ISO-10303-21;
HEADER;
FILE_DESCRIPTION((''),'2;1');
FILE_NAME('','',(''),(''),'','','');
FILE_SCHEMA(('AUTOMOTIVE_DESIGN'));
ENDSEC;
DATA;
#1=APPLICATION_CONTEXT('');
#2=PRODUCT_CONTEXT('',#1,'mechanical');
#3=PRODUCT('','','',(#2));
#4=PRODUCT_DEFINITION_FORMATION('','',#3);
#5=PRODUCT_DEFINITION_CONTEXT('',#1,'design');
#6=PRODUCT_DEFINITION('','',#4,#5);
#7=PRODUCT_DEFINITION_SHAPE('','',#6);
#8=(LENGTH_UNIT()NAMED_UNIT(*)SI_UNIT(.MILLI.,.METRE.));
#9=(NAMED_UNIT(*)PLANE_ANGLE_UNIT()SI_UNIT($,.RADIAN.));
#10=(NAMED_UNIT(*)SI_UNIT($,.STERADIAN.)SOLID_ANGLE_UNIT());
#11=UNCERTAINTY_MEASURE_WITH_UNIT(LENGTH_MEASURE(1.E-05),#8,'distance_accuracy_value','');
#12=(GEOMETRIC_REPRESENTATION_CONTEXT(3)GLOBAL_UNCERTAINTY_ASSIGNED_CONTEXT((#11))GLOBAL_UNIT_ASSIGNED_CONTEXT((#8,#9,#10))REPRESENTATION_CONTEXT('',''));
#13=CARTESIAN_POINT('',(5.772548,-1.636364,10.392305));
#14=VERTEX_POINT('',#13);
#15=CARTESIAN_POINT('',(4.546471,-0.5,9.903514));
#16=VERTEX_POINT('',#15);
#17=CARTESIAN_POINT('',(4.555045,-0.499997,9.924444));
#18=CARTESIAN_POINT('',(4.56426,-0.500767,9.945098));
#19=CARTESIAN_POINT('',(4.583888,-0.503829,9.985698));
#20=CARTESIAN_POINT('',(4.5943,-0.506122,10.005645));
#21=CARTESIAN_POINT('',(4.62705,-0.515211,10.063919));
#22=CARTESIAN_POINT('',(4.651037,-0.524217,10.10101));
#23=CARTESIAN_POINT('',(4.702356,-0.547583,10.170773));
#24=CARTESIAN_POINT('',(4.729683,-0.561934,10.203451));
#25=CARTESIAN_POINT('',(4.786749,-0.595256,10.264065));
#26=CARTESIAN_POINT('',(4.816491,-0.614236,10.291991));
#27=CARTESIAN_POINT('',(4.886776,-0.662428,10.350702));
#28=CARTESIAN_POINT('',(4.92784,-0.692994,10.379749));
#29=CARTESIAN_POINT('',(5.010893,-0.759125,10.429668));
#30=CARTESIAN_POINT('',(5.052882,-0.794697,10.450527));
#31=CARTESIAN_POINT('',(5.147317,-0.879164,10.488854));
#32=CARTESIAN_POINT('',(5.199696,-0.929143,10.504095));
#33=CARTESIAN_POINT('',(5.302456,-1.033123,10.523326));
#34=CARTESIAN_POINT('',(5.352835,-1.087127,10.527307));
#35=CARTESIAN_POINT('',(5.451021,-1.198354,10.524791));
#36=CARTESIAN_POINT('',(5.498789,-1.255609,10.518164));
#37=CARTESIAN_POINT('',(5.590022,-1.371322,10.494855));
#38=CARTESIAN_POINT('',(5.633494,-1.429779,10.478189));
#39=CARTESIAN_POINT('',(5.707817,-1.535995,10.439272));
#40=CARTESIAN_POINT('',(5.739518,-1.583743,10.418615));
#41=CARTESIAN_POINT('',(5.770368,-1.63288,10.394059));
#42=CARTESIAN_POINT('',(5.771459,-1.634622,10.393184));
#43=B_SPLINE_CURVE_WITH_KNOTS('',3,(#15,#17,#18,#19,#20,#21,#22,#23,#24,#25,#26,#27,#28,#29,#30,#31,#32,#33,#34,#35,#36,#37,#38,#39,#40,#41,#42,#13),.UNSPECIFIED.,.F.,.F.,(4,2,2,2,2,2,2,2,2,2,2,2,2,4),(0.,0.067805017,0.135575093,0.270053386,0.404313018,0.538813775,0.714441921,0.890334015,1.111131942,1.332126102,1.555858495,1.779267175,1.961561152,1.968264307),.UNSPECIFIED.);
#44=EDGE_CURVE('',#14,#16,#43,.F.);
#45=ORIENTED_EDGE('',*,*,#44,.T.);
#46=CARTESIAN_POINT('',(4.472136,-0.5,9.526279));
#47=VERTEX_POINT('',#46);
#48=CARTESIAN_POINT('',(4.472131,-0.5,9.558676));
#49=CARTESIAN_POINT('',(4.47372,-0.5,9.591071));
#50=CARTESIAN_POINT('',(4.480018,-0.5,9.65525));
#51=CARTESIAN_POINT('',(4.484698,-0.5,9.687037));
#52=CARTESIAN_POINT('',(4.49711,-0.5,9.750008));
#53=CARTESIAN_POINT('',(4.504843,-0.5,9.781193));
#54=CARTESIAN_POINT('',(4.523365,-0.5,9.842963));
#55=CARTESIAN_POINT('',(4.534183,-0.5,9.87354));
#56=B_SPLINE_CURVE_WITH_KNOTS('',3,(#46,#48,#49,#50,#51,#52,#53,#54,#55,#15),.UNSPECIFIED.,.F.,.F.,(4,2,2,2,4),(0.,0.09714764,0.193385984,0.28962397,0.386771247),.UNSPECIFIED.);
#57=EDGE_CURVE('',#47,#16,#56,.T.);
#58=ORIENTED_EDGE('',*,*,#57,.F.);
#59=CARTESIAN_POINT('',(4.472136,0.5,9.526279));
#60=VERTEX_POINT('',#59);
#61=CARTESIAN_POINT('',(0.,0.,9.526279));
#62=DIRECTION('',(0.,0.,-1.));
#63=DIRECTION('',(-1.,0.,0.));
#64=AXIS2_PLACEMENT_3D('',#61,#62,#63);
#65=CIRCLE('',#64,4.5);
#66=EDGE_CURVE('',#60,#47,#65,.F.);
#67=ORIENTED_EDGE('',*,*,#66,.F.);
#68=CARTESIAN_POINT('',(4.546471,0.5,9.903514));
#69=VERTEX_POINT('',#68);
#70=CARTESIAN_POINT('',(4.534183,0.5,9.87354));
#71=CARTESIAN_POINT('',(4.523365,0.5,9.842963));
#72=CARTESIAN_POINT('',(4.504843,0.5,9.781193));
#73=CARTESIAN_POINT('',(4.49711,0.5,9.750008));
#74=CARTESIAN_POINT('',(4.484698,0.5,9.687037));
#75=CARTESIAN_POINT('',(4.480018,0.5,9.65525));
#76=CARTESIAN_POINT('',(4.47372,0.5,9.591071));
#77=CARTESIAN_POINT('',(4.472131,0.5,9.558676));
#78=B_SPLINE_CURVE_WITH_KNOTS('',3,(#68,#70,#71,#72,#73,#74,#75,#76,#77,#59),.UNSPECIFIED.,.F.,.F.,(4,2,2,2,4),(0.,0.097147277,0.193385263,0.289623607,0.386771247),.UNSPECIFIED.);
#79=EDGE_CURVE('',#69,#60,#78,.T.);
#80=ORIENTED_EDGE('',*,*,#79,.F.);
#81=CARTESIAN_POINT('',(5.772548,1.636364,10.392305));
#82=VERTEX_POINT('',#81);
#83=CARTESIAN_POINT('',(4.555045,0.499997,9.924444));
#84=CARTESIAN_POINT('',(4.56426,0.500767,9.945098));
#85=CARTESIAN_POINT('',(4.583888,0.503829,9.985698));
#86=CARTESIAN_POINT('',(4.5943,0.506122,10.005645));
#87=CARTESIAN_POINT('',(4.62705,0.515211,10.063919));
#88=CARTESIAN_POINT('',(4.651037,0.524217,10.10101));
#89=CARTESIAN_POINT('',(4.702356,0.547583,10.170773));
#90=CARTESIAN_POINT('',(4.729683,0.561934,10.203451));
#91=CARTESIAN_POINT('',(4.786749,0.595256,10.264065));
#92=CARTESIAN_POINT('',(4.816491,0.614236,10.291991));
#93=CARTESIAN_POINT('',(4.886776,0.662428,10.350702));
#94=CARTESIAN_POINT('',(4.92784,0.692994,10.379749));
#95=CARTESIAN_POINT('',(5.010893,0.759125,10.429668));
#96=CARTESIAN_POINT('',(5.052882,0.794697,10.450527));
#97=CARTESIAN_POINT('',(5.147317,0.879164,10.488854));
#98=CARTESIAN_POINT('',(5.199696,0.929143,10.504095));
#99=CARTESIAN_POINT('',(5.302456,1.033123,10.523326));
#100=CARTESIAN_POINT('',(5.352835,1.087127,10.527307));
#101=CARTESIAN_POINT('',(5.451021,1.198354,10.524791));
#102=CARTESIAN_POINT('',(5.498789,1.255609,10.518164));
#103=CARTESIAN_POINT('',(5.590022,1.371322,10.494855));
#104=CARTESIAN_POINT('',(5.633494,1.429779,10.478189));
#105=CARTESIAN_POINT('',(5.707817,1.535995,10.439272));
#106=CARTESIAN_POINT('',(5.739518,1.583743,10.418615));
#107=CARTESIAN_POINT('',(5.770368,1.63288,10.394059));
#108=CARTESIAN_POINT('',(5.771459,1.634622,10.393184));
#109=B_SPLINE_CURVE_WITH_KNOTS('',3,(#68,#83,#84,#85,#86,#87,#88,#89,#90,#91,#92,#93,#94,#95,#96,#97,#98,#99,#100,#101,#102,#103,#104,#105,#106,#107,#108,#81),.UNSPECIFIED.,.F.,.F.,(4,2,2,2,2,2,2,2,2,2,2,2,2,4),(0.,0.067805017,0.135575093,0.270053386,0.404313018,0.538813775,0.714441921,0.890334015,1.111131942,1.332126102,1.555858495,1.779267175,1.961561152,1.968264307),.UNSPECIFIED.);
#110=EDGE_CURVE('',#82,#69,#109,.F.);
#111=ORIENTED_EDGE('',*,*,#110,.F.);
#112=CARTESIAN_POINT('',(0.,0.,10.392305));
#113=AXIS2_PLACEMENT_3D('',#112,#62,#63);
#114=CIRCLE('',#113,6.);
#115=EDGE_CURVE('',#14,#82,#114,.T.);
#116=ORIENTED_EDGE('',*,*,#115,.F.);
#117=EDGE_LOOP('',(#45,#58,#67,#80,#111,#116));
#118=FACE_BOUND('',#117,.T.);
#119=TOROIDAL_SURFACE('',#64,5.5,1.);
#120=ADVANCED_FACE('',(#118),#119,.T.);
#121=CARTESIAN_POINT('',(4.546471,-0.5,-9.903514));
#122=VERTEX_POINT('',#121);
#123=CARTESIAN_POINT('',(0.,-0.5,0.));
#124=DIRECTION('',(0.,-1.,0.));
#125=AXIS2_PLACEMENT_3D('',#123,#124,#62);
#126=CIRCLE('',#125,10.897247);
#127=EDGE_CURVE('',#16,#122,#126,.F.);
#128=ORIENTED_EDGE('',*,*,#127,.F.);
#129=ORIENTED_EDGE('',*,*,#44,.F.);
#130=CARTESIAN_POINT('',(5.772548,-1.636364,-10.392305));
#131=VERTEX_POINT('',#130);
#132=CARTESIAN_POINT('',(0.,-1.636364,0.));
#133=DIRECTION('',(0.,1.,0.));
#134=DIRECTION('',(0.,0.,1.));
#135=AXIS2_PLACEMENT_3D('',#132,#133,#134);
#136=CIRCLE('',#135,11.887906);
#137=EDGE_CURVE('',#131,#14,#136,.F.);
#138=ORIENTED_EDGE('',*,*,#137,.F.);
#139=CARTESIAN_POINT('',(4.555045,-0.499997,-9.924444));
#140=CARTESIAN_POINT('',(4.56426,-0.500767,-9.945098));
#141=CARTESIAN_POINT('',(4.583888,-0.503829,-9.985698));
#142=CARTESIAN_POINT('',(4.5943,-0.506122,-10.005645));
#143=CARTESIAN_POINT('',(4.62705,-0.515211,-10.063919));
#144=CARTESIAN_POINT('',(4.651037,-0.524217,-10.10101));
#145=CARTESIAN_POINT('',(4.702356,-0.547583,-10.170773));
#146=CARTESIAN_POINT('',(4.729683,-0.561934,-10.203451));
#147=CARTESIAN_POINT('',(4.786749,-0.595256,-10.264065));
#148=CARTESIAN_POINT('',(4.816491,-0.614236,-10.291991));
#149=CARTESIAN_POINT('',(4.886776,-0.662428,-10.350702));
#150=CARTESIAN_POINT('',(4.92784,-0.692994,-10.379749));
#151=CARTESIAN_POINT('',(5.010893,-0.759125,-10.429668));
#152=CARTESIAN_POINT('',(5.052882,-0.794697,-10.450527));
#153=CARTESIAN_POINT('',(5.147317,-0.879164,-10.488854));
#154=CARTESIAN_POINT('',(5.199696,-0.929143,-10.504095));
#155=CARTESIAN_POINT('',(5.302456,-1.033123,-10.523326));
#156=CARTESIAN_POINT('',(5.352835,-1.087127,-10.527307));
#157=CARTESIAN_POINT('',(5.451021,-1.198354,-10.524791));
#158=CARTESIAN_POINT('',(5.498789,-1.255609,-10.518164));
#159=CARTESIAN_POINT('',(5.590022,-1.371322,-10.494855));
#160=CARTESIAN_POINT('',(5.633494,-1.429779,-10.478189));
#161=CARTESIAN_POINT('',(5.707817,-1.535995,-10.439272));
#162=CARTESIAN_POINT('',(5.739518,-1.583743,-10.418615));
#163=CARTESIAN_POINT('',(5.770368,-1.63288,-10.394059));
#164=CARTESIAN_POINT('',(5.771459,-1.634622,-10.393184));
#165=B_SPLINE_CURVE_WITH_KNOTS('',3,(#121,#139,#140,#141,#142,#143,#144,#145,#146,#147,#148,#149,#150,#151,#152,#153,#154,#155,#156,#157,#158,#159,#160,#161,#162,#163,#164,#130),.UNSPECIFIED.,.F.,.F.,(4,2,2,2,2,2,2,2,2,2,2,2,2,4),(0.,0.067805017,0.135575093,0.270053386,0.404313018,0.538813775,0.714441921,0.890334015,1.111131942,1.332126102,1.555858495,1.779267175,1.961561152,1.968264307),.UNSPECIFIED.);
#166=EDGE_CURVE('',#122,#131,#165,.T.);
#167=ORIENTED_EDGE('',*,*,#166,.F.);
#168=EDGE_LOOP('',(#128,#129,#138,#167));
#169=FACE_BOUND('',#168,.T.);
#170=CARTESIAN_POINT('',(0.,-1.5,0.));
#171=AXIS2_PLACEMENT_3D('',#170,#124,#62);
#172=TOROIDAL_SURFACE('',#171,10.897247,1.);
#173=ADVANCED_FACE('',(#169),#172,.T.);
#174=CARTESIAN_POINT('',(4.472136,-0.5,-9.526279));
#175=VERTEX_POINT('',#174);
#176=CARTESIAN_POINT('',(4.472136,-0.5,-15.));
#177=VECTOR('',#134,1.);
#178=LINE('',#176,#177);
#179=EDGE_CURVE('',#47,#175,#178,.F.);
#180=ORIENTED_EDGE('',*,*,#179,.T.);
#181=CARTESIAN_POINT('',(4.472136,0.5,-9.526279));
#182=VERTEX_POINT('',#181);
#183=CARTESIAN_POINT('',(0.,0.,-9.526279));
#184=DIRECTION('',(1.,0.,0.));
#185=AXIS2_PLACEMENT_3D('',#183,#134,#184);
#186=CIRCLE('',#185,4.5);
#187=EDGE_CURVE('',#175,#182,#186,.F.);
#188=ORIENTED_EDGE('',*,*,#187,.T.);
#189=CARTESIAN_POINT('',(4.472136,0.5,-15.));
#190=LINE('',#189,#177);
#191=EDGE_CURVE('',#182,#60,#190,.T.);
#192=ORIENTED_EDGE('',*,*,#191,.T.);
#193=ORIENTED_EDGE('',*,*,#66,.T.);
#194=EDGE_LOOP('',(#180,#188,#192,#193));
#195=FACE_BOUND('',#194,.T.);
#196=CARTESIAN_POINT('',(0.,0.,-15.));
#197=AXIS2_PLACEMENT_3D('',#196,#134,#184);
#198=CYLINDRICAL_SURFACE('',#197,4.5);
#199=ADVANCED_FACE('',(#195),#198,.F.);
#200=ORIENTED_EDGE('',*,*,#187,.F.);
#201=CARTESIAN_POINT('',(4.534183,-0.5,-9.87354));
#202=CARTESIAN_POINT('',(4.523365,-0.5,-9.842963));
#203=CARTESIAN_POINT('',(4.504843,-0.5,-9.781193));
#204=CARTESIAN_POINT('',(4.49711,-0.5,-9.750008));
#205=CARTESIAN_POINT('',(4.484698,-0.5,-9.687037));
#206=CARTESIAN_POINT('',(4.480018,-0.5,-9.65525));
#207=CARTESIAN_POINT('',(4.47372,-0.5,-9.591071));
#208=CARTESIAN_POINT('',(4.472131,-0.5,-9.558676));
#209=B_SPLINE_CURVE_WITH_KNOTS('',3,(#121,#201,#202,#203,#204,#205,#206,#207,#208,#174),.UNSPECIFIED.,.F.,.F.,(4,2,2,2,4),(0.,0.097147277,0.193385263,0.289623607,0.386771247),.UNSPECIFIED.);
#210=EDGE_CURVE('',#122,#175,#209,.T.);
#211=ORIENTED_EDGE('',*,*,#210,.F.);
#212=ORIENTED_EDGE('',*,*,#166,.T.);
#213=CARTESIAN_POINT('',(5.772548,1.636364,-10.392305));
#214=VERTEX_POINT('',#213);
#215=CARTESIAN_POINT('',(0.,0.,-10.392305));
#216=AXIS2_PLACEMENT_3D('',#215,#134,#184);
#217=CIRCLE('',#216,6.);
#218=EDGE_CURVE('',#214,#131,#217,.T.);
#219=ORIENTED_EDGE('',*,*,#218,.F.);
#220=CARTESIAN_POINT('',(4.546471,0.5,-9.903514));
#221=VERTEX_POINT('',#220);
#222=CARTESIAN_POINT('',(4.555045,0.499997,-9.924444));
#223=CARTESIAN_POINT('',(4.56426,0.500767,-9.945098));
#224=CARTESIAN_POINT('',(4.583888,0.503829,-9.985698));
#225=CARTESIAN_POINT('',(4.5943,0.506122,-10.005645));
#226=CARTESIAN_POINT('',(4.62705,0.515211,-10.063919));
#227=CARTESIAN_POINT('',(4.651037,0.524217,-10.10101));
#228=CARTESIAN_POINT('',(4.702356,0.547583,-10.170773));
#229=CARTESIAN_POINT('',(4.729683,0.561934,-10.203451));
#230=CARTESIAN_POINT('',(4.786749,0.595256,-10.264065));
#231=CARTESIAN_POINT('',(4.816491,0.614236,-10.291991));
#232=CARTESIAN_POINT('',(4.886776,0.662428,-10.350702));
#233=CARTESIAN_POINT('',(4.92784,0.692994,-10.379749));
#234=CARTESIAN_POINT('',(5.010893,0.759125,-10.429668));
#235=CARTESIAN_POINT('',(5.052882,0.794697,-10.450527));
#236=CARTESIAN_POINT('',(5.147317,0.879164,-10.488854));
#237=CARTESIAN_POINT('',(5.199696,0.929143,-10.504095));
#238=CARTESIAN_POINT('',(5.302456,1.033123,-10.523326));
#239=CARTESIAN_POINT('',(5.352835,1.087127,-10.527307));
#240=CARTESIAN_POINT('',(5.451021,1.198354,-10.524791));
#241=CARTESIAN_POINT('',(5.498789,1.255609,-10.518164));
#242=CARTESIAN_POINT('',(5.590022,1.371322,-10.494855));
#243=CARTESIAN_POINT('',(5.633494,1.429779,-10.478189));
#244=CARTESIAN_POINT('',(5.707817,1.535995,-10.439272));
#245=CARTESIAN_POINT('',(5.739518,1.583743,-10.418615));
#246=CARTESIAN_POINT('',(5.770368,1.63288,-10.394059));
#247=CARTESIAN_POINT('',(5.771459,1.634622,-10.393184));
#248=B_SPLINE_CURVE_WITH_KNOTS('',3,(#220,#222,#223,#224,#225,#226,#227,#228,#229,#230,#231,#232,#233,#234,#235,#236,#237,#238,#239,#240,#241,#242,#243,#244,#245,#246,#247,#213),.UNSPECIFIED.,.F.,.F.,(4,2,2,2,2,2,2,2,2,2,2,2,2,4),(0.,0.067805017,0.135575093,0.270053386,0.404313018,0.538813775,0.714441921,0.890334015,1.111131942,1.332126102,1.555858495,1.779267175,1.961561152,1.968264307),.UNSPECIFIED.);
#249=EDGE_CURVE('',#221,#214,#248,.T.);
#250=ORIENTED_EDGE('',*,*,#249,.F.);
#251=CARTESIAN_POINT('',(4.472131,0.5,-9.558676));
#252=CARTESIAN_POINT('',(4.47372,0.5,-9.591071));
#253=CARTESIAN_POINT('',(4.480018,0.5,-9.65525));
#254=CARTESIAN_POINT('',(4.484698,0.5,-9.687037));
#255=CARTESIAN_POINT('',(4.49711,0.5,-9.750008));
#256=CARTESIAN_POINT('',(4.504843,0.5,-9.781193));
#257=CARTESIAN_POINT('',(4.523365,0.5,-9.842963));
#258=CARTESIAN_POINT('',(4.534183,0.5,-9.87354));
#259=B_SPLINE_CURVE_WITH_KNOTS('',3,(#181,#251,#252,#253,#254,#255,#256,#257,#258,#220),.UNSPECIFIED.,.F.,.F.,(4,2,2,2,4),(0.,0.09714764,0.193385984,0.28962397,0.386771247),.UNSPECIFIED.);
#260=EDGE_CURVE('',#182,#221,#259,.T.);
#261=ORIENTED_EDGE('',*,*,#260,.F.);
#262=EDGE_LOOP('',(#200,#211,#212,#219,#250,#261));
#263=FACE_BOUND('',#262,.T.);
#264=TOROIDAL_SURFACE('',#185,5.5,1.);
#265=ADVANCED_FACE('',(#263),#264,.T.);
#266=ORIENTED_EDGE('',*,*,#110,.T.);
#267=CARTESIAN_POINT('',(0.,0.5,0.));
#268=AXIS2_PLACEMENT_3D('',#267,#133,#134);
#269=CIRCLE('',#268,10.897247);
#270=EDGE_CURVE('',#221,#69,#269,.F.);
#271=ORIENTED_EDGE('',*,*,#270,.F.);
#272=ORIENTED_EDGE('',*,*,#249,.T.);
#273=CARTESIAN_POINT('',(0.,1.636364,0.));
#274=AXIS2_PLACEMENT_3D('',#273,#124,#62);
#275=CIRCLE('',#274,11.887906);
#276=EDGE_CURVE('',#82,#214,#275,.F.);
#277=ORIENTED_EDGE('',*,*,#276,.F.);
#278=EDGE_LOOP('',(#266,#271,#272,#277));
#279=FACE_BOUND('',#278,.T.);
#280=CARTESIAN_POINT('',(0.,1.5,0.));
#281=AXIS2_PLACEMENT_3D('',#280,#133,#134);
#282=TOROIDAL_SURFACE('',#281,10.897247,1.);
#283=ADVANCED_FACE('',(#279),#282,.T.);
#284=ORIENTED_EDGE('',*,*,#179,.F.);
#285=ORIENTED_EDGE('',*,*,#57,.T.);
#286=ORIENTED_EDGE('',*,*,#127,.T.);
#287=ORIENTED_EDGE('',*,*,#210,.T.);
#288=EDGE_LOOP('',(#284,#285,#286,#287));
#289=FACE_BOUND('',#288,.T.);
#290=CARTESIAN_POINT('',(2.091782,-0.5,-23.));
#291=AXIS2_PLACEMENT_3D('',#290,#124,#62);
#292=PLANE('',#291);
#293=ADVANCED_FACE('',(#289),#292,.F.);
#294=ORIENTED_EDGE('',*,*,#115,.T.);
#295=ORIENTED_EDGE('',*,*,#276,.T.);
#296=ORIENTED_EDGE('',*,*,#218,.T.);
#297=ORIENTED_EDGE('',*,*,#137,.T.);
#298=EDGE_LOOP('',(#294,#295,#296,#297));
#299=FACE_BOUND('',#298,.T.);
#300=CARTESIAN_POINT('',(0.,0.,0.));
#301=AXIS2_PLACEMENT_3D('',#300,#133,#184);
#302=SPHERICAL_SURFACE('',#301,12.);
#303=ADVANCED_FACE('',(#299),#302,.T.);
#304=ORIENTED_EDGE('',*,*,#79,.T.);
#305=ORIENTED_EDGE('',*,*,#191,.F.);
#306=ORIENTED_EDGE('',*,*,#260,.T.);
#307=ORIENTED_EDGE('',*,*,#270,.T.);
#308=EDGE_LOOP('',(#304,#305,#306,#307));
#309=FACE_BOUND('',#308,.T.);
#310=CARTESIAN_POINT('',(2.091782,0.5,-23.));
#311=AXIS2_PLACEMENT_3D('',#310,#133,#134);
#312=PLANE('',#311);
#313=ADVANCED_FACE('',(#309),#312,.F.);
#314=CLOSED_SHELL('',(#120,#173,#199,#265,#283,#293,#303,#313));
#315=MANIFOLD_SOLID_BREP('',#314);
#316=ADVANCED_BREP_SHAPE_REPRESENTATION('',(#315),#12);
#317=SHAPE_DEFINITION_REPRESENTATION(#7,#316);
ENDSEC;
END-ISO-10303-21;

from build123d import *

# Parameters (mm, degrees)
SKETCH_2_R          = 4.5
CUT_EXTRUDE_1_DEPTH = 15
SKETCH_3_W          = 14.706599393
SKETCH_3_H          = 1
CUT_EXTRUDE_2_DEPTH = 23
FILLET_1_R          = 1


with BuildPart() as part:
    # 스케치1 → 회전2 (revolve)
    with BuildSketch(Plane.XY):
        with BuildLine():
            Line((0, 12), (0, -12))
            ThreePointArc((0, -12), (-12, 0), (0, 12))
        make_face()
    revolve(axis=Axis((0, 11.789684906, 0), (0, -1, 0)))

    # 스케치2 → 컷-돌출1 (cut, symmetric)
    with BuildSketch(Plane.XY):
        with Locations(Location((0, 0, 0), (0, 0, 180))):
            Circle(SKETCH_2_R)
    extrude(amount=CUT_EXTRUDE_1_DEPTH, both=True, mode=Mode.SUBTRACT)

    # 스케치3 → 컷-돌출2 (cut, symmetric)
    with BuildSketch(Plane.XY):
        with Locations((9.445081402, 0)):
            Rectangle(SKETCH_3_W, SKETCH_3_H)
    extrude(amount=CUT_EXTRUDE_2_DEPTH, both=True, mode=Mode.SUBTRACT)

    # 필렛1
    fillet_1_edges = [part.edges().sort_by_distance(p)[0] for p in [
        (-0.2503879, 4.493028547, 11.124297731),
        (11.989578808, 0.5, 0),
        (11.989578808, -0.5, 0),
        (-0.2503879, 4.493028547, -11.124297731),
    ]]
    fillet(fillet_1_edges, radius=FILLET_1_R)


solid = part.part
